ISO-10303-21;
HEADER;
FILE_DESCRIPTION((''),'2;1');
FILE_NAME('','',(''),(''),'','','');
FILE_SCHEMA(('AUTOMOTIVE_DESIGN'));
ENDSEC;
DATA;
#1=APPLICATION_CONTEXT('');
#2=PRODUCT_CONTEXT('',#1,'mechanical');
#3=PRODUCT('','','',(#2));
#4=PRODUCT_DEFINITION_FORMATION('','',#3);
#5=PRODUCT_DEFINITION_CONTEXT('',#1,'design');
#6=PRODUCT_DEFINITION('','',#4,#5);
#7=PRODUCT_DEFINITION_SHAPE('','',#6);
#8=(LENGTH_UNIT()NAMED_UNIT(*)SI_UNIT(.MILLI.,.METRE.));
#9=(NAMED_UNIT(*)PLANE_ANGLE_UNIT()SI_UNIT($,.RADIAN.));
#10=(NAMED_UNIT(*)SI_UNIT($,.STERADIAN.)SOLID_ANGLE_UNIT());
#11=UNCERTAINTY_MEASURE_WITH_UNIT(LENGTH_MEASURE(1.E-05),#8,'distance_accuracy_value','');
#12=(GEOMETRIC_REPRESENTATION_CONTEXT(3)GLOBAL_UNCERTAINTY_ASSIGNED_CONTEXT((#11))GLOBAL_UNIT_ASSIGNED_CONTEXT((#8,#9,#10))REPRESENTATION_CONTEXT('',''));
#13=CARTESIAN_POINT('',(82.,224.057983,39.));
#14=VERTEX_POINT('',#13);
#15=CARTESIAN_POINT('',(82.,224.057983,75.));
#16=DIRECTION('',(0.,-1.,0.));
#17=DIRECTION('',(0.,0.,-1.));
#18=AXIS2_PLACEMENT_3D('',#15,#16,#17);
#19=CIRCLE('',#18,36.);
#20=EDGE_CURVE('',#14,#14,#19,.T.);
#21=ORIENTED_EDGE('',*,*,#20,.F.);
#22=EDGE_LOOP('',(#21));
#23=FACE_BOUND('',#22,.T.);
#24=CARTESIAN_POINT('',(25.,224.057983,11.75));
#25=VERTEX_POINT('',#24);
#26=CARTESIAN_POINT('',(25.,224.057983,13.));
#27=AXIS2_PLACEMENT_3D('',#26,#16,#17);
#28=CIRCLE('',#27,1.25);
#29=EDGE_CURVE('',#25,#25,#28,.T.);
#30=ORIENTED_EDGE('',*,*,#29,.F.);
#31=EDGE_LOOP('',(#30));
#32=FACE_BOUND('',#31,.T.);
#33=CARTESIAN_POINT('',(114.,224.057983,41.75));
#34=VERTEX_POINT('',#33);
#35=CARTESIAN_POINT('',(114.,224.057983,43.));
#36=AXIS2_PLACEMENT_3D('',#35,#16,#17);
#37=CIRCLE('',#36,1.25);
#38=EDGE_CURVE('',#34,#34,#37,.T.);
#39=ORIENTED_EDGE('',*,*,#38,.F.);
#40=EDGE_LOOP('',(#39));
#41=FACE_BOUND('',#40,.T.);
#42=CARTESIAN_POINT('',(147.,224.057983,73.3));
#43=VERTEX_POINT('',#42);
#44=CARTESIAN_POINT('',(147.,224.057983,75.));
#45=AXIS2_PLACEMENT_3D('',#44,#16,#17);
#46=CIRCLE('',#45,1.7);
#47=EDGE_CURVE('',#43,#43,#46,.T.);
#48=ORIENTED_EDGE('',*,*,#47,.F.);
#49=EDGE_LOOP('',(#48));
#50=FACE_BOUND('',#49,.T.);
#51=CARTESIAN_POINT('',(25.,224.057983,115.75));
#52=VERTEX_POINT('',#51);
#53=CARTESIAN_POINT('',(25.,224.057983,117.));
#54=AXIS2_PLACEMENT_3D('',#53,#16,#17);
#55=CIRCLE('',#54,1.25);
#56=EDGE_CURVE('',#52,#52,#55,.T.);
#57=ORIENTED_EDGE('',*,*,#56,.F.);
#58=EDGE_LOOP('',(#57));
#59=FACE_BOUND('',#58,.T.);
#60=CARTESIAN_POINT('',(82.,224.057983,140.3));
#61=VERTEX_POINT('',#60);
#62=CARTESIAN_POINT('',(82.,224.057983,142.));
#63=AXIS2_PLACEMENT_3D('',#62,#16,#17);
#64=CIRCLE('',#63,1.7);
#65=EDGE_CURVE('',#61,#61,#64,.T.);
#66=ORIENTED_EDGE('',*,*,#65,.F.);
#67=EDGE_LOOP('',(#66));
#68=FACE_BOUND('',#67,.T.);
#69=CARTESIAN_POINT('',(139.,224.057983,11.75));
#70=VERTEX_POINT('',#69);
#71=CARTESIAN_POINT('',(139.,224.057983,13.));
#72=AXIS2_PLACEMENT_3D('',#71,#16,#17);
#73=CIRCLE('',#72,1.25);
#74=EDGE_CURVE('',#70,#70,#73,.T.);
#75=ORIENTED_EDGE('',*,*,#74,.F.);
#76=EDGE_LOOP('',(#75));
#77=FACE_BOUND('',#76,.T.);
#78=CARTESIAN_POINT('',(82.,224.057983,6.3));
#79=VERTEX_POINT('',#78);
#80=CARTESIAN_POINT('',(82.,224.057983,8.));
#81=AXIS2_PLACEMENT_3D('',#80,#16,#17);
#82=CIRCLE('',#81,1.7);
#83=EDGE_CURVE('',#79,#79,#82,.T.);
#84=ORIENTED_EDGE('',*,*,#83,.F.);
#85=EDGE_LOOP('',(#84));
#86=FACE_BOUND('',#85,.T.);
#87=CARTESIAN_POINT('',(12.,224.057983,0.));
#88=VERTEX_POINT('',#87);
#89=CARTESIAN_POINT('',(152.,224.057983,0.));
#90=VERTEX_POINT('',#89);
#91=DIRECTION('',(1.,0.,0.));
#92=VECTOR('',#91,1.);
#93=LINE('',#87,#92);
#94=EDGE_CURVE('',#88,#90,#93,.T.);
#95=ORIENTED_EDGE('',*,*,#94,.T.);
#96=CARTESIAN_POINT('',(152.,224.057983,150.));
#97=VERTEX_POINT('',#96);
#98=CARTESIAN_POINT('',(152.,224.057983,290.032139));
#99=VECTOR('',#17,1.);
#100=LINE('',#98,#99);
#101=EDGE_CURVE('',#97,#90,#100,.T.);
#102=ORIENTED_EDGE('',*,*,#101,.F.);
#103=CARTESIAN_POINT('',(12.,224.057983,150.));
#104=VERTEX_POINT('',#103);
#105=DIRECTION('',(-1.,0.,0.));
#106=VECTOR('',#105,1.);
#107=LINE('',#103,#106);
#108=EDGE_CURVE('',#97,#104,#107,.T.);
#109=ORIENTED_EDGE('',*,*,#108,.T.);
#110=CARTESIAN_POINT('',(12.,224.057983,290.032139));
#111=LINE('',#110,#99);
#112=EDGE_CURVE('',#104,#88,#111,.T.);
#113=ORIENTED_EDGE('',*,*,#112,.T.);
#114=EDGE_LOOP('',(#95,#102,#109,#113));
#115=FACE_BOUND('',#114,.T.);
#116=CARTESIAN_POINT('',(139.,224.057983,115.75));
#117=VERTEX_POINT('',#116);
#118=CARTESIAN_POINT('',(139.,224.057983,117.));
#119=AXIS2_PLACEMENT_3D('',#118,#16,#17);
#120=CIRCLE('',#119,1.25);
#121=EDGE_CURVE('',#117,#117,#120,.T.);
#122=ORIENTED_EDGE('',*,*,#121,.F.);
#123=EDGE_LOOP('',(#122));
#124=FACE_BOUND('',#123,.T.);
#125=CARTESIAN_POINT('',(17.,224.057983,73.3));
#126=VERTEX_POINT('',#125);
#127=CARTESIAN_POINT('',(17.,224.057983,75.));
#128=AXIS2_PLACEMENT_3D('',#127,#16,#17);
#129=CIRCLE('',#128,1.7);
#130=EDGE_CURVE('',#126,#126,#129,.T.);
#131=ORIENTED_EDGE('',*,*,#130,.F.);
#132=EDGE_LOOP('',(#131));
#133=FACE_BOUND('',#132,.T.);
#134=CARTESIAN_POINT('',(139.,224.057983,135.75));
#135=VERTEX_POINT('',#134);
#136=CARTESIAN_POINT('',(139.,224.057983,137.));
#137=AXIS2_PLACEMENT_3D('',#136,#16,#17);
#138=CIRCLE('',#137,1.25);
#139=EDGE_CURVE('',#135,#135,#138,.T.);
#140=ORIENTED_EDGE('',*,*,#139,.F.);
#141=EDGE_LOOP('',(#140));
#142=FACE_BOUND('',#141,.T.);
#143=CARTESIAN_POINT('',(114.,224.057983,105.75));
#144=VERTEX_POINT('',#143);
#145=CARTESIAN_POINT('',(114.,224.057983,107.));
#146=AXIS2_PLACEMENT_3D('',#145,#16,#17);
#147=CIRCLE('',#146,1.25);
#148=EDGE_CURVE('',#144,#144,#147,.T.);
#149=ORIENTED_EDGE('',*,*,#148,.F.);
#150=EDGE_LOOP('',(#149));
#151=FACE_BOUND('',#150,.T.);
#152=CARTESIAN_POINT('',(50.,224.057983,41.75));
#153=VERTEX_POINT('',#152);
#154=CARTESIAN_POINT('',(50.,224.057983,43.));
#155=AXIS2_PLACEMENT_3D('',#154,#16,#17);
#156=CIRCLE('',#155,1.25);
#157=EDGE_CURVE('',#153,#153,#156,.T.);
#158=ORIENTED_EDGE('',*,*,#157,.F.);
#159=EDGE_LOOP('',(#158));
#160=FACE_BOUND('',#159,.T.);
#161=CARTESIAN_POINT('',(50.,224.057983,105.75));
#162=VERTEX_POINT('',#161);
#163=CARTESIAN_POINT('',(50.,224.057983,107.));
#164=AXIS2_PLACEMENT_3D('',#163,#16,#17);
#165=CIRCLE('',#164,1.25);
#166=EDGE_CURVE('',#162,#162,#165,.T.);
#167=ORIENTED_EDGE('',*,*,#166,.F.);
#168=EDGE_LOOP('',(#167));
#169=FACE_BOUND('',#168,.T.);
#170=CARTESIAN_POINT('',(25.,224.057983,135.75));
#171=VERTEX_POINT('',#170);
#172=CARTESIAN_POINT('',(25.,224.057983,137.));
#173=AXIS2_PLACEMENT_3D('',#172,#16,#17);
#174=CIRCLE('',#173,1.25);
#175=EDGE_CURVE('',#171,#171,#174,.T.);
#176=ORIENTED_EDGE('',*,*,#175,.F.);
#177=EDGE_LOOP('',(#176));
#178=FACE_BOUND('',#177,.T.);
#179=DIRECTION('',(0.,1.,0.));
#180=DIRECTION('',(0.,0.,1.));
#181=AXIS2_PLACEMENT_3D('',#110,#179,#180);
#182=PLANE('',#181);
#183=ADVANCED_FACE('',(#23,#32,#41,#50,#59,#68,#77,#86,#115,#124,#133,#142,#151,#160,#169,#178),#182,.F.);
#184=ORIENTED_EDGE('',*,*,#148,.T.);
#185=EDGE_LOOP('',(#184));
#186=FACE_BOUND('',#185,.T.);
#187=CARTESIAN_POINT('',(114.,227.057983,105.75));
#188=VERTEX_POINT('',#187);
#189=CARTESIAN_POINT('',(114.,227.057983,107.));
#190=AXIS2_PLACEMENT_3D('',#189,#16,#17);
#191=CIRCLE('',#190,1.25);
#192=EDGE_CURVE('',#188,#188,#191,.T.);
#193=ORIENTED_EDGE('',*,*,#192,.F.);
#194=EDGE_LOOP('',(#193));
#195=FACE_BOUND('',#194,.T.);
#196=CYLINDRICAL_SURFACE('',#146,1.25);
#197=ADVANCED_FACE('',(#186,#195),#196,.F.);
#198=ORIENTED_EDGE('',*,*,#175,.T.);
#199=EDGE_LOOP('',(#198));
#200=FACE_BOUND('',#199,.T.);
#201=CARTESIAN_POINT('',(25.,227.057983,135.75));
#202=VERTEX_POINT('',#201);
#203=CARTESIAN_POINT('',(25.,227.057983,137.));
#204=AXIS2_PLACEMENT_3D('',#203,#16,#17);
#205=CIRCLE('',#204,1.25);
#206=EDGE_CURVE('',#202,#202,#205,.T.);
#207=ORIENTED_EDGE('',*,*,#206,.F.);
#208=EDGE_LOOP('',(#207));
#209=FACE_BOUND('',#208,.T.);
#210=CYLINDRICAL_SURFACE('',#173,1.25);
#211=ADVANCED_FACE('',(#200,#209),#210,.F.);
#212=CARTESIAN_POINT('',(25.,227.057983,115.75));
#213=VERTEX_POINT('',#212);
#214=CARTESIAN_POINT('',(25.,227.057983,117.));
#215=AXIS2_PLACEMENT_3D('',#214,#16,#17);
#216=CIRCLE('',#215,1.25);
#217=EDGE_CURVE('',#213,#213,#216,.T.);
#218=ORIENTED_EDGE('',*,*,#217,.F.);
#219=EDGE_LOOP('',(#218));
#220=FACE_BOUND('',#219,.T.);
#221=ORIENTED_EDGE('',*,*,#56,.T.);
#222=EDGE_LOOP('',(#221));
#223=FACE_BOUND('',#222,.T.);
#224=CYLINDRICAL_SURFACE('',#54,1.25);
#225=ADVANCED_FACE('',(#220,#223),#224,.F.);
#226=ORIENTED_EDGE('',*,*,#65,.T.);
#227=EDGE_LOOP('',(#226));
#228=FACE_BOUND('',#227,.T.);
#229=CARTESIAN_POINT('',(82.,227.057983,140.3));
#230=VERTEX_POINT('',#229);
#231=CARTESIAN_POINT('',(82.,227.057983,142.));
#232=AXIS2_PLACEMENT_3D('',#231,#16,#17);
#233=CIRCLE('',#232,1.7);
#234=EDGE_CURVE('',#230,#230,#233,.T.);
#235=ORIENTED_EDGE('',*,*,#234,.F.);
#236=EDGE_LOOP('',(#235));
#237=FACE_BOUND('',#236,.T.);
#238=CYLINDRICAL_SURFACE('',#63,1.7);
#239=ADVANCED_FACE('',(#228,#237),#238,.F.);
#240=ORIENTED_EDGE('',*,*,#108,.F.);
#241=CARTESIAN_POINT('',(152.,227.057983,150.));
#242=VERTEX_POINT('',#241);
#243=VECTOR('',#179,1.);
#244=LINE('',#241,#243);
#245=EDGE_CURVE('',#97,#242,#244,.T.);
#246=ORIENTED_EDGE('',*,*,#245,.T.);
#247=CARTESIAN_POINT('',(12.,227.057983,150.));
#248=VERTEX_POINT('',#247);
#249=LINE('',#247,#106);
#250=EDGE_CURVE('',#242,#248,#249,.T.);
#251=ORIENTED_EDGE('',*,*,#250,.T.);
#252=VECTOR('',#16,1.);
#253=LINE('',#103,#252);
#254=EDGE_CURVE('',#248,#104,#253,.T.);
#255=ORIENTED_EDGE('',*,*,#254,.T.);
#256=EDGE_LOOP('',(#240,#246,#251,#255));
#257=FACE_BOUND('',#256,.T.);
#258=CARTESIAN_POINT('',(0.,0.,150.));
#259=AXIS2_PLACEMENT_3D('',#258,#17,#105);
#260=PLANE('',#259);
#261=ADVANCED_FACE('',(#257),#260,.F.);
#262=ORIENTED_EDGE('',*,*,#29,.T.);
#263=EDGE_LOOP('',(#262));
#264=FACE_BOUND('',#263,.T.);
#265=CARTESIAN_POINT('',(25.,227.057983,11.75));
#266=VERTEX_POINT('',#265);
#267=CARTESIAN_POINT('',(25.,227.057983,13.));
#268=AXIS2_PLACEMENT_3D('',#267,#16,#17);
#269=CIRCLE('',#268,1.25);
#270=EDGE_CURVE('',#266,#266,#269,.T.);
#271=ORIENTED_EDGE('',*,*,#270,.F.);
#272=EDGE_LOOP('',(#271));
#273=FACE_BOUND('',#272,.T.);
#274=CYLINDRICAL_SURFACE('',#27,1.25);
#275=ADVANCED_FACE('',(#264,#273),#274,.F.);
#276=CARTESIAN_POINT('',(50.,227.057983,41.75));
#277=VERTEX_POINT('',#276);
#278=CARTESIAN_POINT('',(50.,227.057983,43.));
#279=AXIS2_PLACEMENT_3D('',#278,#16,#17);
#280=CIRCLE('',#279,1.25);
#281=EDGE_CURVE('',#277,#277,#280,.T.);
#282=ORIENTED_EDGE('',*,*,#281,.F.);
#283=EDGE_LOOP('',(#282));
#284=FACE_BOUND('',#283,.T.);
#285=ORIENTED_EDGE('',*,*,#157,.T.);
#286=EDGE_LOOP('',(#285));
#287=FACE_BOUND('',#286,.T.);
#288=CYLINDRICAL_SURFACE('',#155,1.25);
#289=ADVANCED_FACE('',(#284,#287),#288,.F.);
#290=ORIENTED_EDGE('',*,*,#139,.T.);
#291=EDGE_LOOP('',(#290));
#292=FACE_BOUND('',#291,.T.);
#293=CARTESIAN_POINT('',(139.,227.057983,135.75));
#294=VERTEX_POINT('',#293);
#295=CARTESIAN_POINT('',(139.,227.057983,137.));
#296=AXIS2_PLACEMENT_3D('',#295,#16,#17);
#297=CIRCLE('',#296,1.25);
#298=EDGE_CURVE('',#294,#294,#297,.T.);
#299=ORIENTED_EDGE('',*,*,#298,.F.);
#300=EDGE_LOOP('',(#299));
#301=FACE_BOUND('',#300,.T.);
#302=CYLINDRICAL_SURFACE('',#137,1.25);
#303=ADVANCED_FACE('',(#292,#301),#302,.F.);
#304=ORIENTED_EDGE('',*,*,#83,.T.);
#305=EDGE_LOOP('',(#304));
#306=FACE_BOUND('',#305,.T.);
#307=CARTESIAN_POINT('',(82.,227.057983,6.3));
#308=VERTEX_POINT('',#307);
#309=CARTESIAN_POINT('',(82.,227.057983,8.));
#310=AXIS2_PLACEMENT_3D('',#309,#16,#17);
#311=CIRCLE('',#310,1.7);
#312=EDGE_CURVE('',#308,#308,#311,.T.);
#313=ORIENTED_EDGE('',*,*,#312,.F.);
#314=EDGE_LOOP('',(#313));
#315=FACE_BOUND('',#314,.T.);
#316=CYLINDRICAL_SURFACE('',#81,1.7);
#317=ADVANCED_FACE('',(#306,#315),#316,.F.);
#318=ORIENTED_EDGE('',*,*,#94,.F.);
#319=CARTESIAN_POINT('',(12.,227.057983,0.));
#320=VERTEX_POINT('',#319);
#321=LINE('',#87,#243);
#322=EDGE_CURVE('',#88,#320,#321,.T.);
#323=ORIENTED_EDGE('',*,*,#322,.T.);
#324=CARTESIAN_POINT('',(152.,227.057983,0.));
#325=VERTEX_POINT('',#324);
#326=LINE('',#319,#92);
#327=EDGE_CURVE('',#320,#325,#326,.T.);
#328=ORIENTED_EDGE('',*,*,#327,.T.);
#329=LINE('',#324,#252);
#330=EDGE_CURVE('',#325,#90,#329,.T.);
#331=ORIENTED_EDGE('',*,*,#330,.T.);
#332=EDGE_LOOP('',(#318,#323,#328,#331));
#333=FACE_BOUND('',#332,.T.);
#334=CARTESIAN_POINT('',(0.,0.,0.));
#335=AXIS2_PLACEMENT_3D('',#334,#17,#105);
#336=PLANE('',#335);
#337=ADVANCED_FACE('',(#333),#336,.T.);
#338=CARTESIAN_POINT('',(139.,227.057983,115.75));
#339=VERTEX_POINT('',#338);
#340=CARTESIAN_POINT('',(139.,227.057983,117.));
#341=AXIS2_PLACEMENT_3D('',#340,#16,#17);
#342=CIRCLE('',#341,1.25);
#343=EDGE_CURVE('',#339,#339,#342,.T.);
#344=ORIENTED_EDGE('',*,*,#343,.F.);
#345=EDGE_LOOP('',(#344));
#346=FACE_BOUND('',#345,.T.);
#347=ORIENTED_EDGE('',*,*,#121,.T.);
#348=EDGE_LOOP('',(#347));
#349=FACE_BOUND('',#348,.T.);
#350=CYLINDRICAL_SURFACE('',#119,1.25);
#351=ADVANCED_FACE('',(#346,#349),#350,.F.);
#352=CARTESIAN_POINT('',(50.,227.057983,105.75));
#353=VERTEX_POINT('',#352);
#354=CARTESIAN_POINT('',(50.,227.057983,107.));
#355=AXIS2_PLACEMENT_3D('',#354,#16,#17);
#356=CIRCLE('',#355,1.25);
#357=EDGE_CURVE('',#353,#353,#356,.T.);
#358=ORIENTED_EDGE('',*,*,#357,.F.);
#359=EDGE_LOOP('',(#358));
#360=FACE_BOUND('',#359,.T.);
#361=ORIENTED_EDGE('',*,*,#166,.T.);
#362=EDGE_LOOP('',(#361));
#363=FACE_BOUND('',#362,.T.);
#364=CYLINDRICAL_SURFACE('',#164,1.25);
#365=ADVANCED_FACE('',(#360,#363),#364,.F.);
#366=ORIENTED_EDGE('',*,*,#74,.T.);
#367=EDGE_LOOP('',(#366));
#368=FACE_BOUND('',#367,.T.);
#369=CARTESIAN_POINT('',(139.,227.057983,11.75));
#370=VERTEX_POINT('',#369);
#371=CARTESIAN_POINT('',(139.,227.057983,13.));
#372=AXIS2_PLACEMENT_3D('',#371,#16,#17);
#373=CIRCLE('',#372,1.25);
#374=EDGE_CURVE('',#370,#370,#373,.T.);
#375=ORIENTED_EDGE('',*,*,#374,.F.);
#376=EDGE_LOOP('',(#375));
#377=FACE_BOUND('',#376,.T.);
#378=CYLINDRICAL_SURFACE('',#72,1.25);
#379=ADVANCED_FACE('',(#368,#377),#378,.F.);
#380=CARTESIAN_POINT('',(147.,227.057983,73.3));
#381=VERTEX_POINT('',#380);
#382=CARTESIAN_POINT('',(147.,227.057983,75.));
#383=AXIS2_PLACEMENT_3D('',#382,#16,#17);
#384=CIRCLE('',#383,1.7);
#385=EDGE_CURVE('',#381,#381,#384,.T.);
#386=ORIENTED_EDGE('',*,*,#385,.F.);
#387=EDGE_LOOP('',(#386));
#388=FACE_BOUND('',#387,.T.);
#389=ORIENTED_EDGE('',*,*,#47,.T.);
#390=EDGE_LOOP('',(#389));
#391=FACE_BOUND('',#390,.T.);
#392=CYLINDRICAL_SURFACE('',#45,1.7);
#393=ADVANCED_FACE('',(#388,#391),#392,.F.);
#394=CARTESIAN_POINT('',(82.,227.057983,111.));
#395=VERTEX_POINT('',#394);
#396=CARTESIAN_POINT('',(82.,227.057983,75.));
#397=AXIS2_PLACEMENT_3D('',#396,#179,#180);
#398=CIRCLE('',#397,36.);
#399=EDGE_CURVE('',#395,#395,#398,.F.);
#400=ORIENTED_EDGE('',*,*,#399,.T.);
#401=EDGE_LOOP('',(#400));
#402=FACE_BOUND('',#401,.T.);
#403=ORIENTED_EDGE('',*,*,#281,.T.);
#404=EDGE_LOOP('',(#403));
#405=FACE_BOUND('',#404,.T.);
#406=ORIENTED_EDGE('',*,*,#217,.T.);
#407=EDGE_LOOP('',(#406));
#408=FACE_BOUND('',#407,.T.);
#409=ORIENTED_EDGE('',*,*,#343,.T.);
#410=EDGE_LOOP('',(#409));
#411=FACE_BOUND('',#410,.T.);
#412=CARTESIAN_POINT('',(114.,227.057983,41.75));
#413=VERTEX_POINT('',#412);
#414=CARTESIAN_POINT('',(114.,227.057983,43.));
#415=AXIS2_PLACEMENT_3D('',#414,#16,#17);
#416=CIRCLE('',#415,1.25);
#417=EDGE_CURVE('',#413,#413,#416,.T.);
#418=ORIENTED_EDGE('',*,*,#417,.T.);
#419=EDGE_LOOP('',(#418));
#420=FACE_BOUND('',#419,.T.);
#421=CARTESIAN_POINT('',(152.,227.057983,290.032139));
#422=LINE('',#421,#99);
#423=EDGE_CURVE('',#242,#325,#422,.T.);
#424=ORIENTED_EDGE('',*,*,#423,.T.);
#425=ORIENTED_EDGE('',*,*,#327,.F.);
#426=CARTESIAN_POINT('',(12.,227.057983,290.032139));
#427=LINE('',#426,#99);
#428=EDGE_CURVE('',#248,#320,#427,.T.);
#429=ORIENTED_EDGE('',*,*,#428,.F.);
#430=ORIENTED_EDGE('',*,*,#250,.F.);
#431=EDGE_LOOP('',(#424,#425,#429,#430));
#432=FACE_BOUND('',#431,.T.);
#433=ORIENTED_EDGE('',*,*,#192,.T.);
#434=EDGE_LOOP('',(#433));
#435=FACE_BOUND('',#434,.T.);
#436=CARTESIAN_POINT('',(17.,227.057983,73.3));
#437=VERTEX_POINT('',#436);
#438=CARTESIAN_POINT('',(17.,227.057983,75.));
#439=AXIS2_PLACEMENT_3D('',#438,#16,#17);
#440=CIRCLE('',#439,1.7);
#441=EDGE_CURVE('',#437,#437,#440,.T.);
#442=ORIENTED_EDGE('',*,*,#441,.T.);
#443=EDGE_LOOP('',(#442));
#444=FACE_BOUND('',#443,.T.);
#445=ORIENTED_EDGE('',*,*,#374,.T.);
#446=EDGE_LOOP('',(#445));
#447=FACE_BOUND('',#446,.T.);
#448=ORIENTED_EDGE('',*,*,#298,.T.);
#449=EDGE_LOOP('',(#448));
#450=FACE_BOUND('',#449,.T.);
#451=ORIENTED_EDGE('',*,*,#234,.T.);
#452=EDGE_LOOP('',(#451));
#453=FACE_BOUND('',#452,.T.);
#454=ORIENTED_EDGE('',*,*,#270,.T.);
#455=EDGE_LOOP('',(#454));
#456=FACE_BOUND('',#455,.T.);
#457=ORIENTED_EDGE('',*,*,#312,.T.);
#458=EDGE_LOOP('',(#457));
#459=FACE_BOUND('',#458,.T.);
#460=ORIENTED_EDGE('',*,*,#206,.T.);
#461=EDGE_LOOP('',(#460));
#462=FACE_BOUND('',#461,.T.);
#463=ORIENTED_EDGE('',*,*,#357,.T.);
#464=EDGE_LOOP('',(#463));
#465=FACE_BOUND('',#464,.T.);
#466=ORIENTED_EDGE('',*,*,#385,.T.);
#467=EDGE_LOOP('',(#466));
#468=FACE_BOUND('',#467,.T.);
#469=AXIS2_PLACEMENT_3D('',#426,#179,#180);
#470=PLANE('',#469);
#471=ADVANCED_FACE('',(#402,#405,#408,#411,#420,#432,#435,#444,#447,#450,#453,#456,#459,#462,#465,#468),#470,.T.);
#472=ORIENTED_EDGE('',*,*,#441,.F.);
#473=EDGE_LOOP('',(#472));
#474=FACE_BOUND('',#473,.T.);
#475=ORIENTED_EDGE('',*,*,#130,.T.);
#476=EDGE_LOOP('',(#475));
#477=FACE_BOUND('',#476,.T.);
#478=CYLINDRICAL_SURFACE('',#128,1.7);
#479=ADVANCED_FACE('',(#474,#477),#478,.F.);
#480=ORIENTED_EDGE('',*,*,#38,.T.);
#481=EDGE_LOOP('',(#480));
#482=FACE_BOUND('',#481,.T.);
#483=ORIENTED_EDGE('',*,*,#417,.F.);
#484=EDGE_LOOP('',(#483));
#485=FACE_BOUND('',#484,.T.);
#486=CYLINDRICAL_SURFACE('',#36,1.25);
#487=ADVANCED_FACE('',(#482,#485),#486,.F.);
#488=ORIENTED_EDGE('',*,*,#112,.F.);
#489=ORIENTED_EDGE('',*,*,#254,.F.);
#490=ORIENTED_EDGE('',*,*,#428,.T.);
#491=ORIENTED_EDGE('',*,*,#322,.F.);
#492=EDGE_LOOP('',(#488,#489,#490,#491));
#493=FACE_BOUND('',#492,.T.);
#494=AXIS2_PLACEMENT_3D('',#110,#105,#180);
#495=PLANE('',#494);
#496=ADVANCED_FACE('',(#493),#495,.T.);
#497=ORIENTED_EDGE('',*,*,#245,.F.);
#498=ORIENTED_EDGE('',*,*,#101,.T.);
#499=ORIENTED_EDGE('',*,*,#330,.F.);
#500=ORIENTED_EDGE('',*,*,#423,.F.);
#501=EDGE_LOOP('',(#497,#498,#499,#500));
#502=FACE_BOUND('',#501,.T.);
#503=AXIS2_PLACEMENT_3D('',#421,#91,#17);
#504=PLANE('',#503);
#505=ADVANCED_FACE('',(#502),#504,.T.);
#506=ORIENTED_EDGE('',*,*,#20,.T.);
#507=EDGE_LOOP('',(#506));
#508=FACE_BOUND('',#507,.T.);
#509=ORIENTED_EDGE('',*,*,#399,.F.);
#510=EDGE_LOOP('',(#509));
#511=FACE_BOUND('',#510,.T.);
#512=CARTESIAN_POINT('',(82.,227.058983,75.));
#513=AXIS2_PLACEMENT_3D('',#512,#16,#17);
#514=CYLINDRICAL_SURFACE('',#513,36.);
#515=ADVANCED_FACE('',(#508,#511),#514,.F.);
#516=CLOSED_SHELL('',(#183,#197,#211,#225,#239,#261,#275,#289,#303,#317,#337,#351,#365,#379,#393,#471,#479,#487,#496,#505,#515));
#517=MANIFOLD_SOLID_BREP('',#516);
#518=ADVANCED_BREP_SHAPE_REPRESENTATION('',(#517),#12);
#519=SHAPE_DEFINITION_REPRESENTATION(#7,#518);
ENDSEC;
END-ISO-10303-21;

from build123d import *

# Parameters (mm, degrees)
SKETCH_1_W           = 140
SKETCH_1_H           = 3
EXTRUDE_1_DEPTH      = 150
CUT_EXTRUDE_1_REACH  = 5
SKETCH_2_R           = 36
HOLE_WIZARD_M3_1_D   = 2.5
HOLE_WIZARD_M3_1_2_D = 3.4
HOLE_WIZARD_M3_2_D   = 2.5


with BuildPart() as part:
    # 草图1 → 拉伸-薄壁1 (new body)
    with BuildSketch(Plane.XY):
        with Locations((82, 225.557982809)):
            Rectangle(SKETCH_1_W, SKETCH_1_H)
    extrude(amount=EXTRUDE_1_DEPTH)

    # 草图2 → 切除-拉伸1 (cut, up to next)
    with BuildSketch(Plane.XZ.offset(-224.057982809), mode=Mode.PRIVATE) as cut_extrude_1_sk1:
        with Locations((82, 75)):
            Circle(SKETCH_2_R)
    cut_extrude_1_tool1 = extrude(cut_extrude_1_sk1.sketch, amount=-CUT_EXTRUDE_1_REACH, mode=Mode.PRIVATE) & part.part
    add(cut_extrude_1_tool1.solids().sort_by_distance((82, 224.057983, 75))[0], mode=Mode.SUBTRACT)

    # Hole Wizard M3 _1 (through all)
    with Locations(Plane(origin=(0, 224.057982809, 0), x_dir=(-1, 0, 0), z_dir=(0, -1, 0))):
        with Locations((-50, -107), (-50, -43), (-114, -43), (-114, -107)):
            Hole(HOLE_WIZARD_M3_1_D / 2)

    # Hole Wizard M3 _1 2 (through all)
    with Locations(Plane(origin=(0, 224.057982809, 0), x_dir=(-1, 0, 0), z_dir=(0, -1, 0))):
        with Locations((-82, -142), (-147, -75), (-82, -8), (-17, -75)):
            Hole(HOLE_WIZARD_M3_1_2_D / 2)

    # M3 螺纹孔的螺纹孔钻头2 (through all)
    with Locations(Plane(origin=(0, 224.057982809, 0), x_dir=(-1, 0, 0), z_dir=(0, -1, 0))):
        with Locations((-139, -137), (-139, -117), (-139, -13), (-25, -137), (-25, -117), (-25, -13)):
            Hole(HOLE_WIZARD_M3_2_D / 2)


solid = part.part
